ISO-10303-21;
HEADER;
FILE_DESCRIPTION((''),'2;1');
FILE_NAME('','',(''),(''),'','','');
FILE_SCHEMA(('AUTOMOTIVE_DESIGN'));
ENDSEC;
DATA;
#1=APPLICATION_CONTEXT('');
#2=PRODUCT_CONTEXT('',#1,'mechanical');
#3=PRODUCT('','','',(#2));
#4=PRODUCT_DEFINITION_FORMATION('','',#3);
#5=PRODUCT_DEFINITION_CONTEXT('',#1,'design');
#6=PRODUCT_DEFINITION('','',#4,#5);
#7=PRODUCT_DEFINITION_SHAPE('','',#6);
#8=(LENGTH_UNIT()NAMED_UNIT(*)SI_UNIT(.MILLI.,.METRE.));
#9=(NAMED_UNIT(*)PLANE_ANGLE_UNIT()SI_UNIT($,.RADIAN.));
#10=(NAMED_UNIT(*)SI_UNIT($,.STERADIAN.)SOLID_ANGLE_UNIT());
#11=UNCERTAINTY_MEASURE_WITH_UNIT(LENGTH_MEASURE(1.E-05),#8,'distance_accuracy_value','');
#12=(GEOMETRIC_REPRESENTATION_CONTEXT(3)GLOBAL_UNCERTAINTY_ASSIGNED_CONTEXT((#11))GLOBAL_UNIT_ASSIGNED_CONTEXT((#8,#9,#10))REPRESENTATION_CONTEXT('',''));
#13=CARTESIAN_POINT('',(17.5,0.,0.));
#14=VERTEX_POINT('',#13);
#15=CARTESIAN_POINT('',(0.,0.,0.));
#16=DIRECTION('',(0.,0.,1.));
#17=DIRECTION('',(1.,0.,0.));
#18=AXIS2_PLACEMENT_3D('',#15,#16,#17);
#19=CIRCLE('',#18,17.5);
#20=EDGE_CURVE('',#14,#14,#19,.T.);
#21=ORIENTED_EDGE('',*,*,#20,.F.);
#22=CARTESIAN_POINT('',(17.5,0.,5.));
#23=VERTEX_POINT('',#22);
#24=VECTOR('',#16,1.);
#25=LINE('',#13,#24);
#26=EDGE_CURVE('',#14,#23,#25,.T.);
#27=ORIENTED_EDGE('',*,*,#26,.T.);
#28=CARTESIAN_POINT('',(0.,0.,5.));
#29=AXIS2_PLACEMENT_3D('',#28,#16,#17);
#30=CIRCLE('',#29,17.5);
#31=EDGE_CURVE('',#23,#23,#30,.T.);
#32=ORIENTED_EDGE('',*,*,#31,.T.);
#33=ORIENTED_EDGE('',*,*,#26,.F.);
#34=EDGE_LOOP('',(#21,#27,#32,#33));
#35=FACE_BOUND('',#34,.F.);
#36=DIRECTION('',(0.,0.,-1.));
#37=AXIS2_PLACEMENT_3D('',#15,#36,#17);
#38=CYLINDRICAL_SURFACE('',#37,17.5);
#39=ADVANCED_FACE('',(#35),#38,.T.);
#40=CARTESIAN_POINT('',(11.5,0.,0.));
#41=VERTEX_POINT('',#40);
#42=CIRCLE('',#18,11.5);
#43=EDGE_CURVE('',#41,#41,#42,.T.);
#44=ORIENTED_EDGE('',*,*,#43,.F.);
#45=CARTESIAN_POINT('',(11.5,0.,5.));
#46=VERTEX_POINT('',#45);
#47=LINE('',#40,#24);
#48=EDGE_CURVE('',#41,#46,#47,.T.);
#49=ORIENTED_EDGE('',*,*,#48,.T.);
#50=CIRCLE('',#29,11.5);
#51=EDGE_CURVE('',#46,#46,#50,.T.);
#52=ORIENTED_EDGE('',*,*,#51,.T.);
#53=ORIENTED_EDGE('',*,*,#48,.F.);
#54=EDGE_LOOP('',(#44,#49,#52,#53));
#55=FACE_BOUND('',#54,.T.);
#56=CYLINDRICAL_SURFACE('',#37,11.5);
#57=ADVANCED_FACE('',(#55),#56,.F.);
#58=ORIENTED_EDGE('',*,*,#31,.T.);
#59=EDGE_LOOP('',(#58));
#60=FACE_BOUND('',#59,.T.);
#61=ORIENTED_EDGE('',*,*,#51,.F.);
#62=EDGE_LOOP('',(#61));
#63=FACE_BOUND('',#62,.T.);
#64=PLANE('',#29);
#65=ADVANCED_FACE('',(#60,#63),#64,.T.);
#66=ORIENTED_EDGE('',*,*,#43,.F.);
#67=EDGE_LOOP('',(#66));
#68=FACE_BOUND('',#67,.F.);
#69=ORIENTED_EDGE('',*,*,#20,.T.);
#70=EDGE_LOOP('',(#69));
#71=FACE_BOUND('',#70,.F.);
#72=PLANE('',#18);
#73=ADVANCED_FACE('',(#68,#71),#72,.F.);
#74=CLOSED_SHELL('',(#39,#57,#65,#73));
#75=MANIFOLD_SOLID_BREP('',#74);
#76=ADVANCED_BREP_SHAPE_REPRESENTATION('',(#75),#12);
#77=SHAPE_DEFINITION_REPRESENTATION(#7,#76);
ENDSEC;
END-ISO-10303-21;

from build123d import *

# Parameters (mm, degrees)
CYLINDER001_R     = 11.5
CYLINDER001_DEPTH = 5
CYLINDER_R        = 17.5
CYLINDER_DEPTH    = 5


with BuildPart() as noutercylinder:
    # Cylinder001 → Cylinder001 (new body)
    with BuildSketch(Plane.XY):
        Circle(CYLINDER001_R)
    extrude(amount=CYLINDER001_DEPTH)


with BuildPart() as toplevelpart_outletplug:
    # Cylinder → Cylinder (new body)
    with BuildSketch(Plane.XY):
        Circle(CYLINDER_R)
    extrude(amount=CYLINDER_DEPTH)

    # Cut: cut nOuterCylinder
    add(noutercylinder.part, mode=Mode.SUBTRACT)


solid = toplevelpart_outletplug.part
